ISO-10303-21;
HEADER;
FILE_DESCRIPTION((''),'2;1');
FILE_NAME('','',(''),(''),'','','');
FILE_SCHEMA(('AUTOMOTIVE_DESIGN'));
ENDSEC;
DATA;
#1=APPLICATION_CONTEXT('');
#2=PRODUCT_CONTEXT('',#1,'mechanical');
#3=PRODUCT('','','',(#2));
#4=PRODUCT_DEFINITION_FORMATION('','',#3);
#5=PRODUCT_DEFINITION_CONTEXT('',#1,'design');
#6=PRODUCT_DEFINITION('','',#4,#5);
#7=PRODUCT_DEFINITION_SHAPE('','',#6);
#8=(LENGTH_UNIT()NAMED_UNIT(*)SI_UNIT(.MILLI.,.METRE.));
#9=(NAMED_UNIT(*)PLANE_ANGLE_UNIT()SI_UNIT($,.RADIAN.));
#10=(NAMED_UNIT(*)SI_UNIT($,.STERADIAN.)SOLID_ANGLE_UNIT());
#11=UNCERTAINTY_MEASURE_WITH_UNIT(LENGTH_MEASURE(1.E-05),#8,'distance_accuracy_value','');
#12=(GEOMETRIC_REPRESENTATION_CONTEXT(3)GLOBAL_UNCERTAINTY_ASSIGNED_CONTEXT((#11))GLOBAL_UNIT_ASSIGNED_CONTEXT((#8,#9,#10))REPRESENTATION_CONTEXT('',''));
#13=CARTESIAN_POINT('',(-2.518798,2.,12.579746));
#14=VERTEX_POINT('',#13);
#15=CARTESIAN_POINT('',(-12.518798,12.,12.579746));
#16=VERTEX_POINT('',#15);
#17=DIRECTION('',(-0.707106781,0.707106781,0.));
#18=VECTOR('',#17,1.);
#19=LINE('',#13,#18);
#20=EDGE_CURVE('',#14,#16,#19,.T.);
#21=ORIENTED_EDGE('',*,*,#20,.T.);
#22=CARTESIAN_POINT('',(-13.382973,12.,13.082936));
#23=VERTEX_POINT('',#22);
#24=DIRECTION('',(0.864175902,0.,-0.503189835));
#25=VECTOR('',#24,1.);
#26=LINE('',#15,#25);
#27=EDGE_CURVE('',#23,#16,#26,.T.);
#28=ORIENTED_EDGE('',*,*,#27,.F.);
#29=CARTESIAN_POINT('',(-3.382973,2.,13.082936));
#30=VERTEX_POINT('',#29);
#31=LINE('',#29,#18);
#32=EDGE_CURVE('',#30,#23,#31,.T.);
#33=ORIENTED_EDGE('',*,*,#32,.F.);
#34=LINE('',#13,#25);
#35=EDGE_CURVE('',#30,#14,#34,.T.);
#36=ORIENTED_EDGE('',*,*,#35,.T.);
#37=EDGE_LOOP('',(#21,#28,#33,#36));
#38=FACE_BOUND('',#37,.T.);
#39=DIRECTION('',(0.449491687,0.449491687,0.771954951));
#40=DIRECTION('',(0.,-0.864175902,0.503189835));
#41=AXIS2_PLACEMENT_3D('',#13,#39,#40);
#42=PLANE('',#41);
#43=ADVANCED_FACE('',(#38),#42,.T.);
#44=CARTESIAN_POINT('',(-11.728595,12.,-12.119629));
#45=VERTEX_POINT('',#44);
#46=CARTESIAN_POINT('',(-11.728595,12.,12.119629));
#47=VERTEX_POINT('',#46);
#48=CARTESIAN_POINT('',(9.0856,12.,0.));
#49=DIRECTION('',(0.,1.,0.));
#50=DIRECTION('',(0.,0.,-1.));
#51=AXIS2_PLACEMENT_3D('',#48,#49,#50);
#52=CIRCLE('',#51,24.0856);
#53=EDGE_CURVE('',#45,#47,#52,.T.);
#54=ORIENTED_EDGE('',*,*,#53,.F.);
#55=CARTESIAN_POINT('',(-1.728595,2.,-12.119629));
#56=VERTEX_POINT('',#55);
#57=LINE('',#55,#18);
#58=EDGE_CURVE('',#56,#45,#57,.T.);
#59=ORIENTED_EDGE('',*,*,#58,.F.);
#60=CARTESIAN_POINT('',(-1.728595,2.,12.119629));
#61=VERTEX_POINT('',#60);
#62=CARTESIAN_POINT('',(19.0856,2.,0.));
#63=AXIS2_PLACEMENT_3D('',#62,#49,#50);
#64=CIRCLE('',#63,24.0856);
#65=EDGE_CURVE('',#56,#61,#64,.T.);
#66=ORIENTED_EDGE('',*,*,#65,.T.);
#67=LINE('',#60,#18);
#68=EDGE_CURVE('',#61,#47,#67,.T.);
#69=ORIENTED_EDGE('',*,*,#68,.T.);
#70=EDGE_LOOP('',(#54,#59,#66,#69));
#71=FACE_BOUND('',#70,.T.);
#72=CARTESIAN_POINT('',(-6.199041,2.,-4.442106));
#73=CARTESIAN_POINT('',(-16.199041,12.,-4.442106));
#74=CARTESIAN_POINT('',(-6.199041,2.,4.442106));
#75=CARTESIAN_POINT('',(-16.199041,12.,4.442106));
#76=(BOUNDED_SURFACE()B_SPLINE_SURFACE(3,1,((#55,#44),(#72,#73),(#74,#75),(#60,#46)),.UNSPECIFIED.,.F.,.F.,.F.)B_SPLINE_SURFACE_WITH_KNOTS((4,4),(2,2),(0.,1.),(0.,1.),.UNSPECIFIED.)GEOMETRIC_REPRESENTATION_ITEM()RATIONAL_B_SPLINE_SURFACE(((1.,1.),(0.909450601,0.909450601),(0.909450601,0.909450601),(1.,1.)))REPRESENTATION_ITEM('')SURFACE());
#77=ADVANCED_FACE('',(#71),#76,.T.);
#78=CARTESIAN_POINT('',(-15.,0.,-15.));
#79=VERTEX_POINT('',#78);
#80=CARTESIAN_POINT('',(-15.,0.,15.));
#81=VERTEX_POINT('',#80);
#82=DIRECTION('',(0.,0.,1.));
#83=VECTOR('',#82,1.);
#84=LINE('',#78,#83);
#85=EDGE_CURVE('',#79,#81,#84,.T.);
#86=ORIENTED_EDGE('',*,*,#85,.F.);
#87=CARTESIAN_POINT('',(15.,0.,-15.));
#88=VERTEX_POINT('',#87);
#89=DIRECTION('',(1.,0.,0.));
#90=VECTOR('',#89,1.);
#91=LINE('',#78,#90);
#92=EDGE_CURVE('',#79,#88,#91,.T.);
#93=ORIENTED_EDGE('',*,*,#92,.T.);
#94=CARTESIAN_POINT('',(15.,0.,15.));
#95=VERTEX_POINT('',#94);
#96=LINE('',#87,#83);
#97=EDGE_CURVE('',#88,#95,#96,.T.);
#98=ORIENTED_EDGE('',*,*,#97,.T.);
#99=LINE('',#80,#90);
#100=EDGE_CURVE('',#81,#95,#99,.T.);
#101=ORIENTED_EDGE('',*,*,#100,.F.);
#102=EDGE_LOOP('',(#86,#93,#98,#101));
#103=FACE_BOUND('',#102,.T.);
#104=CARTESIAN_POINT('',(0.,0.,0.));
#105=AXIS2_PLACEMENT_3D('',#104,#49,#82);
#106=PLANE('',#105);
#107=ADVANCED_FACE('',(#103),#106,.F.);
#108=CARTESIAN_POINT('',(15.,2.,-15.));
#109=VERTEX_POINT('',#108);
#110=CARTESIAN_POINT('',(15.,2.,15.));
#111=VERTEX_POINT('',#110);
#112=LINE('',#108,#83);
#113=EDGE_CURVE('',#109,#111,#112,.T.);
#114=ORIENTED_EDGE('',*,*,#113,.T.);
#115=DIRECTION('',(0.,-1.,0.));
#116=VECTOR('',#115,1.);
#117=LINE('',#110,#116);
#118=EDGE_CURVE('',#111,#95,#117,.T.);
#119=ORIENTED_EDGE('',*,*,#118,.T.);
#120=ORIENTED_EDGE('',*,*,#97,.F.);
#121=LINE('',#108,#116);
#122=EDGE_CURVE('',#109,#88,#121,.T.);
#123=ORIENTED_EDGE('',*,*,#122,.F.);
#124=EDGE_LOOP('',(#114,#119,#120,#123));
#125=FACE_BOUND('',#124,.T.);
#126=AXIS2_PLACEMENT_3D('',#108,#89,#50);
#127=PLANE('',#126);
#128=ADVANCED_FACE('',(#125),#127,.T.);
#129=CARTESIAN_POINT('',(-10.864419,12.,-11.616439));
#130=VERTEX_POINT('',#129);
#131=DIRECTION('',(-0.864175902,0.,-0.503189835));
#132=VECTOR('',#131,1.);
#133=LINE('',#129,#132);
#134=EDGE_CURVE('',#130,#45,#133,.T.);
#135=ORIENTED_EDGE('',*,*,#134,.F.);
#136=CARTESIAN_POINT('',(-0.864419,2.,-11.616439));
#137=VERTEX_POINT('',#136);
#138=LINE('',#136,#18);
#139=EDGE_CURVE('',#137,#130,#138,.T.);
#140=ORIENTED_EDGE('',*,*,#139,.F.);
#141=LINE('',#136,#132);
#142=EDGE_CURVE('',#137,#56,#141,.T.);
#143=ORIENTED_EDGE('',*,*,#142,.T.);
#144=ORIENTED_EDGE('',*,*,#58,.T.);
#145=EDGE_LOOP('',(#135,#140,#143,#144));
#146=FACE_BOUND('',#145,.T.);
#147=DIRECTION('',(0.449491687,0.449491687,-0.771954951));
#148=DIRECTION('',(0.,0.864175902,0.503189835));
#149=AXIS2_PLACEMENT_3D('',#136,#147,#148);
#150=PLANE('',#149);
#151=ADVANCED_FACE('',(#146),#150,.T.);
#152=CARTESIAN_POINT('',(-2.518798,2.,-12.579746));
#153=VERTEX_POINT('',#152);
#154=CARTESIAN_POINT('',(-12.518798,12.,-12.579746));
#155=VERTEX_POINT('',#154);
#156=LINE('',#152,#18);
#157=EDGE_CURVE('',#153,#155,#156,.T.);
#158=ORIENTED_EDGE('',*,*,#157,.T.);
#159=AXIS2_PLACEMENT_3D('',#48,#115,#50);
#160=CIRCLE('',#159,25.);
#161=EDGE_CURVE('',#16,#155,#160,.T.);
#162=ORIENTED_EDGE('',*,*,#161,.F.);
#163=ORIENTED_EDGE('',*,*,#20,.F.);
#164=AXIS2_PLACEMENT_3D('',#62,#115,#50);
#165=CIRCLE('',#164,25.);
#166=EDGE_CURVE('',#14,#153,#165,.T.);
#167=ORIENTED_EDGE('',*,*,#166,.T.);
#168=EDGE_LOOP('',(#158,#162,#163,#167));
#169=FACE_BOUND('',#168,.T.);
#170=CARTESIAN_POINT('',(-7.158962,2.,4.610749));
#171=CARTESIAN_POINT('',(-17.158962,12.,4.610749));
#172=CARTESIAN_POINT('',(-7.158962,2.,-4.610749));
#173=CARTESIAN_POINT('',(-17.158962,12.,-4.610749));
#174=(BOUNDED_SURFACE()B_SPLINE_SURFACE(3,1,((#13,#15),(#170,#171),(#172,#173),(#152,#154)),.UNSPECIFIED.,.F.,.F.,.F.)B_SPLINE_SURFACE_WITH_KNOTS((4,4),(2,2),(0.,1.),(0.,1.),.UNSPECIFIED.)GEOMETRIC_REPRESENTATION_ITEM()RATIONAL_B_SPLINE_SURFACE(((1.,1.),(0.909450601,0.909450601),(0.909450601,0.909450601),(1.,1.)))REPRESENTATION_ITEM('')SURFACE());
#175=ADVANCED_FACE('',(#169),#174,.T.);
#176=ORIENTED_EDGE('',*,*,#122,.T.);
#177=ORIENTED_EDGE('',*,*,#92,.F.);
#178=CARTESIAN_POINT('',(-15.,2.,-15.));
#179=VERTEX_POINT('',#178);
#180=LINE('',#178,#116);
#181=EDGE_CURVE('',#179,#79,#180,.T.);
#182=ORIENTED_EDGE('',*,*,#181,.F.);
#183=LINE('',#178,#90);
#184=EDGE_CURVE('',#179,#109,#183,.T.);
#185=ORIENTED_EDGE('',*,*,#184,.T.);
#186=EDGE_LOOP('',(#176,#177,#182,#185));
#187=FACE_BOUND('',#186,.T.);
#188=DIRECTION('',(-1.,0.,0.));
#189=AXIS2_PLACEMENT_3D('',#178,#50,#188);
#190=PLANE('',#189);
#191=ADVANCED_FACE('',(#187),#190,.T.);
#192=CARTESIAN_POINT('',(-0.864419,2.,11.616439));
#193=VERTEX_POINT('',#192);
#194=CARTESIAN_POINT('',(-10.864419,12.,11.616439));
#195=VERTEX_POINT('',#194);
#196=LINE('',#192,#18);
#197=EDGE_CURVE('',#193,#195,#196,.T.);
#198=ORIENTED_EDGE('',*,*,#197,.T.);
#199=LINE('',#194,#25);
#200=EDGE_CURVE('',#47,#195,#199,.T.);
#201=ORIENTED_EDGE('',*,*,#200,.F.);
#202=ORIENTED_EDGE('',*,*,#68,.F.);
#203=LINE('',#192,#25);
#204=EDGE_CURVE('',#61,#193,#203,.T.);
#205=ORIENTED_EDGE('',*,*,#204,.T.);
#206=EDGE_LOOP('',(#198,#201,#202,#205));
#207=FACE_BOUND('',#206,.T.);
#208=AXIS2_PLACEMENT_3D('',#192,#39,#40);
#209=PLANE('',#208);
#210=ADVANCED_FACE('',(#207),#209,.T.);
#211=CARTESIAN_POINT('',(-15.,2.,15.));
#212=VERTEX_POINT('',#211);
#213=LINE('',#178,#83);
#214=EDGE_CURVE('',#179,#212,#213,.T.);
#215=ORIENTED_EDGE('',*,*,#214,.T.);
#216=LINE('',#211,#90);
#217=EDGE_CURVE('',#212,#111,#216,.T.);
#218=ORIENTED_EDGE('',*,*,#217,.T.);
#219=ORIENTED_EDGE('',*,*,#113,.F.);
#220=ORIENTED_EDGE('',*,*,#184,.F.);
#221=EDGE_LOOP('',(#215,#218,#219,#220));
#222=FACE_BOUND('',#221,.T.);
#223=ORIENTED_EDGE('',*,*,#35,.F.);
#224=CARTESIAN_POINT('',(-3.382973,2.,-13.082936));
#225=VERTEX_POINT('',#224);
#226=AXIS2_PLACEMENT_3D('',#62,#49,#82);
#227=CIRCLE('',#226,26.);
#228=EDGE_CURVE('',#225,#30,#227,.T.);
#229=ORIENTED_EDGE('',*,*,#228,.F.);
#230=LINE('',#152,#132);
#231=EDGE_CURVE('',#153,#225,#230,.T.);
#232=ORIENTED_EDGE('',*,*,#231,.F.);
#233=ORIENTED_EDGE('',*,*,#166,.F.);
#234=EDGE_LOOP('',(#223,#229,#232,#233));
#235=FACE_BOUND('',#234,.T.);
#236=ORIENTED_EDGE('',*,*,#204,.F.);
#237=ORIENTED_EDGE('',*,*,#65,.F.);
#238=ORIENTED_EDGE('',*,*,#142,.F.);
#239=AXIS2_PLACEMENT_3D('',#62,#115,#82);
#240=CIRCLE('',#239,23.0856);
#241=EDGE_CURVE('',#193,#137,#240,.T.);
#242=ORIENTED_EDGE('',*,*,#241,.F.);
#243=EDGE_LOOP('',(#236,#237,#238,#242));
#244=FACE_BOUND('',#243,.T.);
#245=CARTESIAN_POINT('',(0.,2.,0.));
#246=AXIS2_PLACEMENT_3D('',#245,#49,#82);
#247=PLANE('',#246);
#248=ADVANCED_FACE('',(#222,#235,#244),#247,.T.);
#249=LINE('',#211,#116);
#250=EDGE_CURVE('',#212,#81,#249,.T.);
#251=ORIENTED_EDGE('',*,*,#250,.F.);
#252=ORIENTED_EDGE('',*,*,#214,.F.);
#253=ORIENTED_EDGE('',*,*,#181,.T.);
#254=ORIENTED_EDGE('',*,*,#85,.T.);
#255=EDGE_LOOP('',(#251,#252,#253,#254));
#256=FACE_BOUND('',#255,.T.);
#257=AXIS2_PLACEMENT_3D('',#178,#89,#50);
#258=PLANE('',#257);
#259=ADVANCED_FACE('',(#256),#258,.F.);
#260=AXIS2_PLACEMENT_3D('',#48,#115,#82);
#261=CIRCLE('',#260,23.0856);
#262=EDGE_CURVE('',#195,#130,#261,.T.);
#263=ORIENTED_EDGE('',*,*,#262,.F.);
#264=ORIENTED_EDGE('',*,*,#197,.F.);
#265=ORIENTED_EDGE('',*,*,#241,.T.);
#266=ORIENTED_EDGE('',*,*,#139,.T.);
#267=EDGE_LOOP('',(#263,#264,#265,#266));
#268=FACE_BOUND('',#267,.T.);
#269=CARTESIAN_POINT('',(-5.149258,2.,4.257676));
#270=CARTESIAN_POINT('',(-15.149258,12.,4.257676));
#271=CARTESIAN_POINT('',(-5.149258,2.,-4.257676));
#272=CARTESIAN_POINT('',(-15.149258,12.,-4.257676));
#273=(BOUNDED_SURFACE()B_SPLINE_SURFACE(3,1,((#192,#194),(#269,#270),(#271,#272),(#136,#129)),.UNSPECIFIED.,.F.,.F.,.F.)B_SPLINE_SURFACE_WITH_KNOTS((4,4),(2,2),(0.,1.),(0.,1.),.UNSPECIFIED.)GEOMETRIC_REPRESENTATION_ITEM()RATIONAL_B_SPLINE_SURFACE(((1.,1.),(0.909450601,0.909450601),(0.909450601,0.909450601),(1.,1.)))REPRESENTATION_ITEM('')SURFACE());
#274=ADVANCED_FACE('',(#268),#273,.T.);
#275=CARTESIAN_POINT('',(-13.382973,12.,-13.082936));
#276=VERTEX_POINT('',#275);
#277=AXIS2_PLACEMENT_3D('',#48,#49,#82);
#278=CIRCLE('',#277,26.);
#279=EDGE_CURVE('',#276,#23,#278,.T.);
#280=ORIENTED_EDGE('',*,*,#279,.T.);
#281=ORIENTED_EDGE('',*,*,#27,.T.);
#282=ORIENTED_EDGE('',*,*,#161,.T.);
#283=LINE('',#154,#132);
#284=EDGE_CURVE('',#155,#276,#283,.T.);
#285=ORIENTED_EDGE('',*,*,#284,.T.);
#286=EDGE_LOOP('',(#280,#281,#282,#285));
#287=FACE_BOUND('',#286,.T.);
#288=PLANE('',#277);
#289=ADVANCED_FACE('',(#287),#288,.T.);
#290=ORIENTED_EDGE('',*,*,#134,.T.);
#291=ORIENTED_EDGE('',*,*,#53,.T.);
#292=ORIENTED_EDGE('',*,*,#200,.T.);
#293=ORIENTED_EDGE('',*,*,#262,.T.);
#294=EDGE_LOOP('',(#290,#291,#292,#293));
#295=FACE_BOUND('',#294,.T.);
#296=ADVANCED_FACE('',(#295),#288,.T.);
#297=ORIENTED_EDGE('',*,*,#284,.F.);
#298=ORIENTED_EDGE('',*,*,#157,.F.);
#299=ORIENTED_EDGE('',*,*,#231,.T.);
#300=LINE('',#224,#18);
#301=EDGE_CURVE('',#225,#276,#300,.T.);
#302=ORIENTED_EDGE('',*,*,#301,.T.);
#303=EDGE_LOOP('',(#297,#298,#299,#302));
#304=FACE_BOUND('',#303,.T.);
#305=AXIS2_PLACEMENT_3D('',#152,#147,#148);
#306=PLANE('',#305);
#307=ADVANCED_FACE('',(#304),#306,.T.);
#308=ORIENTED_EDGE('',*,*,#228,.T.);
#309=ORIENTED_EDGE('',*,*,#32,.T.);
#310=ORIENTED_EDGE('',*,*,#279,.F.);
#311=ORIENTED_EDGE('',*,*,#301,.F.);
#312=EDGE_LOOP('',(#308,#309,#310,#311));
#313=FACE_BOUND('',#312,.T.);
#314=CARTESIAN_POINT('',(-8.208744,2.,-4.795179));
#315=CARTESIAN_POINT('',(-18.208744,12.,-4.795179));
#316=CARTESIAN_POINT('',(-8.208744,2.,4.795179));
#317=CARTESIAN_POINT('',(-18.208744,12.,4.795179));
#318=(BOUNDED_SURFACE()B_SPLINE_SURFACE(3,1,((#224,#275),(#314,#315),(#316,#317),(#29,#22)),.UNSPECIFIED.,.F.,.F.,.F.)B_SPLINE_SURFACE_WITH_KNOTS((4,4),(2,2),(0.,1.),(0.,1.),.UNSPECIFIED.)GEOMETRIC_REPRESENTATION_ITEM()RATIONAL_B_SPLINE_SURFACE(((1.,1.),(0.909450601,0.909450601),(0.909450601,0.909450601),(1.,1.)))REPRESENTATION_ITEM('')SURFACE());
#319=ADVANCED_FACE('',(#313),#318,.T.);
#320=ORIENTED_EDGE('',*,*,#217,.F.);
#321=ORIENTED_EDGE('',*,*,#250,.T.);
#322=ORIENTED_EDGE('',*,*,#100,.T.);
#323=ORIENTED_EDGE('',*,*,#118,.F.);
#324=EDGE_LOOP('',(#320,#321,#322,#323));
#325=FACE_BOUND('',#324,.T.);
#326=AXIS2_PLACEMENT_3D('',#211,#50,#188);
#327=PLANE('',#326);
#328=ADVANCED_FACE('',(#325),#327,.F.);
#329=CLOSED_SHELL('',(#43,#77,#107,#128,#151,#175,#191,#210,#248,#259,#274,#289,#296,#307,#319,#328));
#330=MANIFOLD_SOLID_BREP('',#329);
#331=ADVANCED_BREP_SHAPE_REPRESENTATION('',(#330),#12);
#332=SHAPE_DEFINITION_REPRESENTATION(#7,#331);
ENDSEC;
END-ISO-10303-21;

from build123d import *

# Parameters (mm, degrees)
SKETCH2_W           = 30
SKETCH2_H           = 30
BOSS_EXTRUDE1_DEPTH = 2


with BuildPart() as part:
    # Sketch2 → Boss-Extrude1 (new body)
    with BuildSketch(Plane(origin=(0, 0, 0), x_dir=(1, 0, 0), z_dir=(0, 1, 0))):
        Rectangle(SKETCH2_W, SKETCH2_H)
    extrude(amount=BOSS_EXTRUDE1_DEPTH)

    # Sweep1: sweep along a path in Sketch13
    with BuildLine(Plane.XY) as sweep1_path:
        Line((15, 2), (5, 12))
    # Sketch12 → Sweep1 (sweep)
    with BuildSketch(Plane(origin=(0, 2, 0), x_dir=(1, 0, 0), z_dir=(0, 1, 0))):
        with BuildLine():
            Line((-0.864419204, 11.616439262), (-1.728595106, 12.119629097))
            ThreePointArc((-1.728595106, 12.119629097), (-5, 0), (-1.728595106, -12.119629097))
            Line((-1.728595106, -12.119629097), (-0.864419204, -11.616439262))
            ThreePointArc((-0.864419204, -11.616439262), (-4, 0), (-0.864419204, 11.616439262))
        make_face()
        with BuildLine():
            Line((-2.518797551, 12.579745882), (-3.382973453, 13.082935717))
            ThreePointArc((-3.382973453, 13.082935717), (-6.9144, 0), (-3.382973453, -13.082935717))
            Line((-3.382973453, -13.082935717), (-2.518797551, -12.579745882))
            ThreePointArc((-2.518797551, -12.579745882), (-5.9144, 0), (-2.518797551, 12.579745882))
        make_face()
    sweep(path=sweep1_path.line)


solid = part.part
